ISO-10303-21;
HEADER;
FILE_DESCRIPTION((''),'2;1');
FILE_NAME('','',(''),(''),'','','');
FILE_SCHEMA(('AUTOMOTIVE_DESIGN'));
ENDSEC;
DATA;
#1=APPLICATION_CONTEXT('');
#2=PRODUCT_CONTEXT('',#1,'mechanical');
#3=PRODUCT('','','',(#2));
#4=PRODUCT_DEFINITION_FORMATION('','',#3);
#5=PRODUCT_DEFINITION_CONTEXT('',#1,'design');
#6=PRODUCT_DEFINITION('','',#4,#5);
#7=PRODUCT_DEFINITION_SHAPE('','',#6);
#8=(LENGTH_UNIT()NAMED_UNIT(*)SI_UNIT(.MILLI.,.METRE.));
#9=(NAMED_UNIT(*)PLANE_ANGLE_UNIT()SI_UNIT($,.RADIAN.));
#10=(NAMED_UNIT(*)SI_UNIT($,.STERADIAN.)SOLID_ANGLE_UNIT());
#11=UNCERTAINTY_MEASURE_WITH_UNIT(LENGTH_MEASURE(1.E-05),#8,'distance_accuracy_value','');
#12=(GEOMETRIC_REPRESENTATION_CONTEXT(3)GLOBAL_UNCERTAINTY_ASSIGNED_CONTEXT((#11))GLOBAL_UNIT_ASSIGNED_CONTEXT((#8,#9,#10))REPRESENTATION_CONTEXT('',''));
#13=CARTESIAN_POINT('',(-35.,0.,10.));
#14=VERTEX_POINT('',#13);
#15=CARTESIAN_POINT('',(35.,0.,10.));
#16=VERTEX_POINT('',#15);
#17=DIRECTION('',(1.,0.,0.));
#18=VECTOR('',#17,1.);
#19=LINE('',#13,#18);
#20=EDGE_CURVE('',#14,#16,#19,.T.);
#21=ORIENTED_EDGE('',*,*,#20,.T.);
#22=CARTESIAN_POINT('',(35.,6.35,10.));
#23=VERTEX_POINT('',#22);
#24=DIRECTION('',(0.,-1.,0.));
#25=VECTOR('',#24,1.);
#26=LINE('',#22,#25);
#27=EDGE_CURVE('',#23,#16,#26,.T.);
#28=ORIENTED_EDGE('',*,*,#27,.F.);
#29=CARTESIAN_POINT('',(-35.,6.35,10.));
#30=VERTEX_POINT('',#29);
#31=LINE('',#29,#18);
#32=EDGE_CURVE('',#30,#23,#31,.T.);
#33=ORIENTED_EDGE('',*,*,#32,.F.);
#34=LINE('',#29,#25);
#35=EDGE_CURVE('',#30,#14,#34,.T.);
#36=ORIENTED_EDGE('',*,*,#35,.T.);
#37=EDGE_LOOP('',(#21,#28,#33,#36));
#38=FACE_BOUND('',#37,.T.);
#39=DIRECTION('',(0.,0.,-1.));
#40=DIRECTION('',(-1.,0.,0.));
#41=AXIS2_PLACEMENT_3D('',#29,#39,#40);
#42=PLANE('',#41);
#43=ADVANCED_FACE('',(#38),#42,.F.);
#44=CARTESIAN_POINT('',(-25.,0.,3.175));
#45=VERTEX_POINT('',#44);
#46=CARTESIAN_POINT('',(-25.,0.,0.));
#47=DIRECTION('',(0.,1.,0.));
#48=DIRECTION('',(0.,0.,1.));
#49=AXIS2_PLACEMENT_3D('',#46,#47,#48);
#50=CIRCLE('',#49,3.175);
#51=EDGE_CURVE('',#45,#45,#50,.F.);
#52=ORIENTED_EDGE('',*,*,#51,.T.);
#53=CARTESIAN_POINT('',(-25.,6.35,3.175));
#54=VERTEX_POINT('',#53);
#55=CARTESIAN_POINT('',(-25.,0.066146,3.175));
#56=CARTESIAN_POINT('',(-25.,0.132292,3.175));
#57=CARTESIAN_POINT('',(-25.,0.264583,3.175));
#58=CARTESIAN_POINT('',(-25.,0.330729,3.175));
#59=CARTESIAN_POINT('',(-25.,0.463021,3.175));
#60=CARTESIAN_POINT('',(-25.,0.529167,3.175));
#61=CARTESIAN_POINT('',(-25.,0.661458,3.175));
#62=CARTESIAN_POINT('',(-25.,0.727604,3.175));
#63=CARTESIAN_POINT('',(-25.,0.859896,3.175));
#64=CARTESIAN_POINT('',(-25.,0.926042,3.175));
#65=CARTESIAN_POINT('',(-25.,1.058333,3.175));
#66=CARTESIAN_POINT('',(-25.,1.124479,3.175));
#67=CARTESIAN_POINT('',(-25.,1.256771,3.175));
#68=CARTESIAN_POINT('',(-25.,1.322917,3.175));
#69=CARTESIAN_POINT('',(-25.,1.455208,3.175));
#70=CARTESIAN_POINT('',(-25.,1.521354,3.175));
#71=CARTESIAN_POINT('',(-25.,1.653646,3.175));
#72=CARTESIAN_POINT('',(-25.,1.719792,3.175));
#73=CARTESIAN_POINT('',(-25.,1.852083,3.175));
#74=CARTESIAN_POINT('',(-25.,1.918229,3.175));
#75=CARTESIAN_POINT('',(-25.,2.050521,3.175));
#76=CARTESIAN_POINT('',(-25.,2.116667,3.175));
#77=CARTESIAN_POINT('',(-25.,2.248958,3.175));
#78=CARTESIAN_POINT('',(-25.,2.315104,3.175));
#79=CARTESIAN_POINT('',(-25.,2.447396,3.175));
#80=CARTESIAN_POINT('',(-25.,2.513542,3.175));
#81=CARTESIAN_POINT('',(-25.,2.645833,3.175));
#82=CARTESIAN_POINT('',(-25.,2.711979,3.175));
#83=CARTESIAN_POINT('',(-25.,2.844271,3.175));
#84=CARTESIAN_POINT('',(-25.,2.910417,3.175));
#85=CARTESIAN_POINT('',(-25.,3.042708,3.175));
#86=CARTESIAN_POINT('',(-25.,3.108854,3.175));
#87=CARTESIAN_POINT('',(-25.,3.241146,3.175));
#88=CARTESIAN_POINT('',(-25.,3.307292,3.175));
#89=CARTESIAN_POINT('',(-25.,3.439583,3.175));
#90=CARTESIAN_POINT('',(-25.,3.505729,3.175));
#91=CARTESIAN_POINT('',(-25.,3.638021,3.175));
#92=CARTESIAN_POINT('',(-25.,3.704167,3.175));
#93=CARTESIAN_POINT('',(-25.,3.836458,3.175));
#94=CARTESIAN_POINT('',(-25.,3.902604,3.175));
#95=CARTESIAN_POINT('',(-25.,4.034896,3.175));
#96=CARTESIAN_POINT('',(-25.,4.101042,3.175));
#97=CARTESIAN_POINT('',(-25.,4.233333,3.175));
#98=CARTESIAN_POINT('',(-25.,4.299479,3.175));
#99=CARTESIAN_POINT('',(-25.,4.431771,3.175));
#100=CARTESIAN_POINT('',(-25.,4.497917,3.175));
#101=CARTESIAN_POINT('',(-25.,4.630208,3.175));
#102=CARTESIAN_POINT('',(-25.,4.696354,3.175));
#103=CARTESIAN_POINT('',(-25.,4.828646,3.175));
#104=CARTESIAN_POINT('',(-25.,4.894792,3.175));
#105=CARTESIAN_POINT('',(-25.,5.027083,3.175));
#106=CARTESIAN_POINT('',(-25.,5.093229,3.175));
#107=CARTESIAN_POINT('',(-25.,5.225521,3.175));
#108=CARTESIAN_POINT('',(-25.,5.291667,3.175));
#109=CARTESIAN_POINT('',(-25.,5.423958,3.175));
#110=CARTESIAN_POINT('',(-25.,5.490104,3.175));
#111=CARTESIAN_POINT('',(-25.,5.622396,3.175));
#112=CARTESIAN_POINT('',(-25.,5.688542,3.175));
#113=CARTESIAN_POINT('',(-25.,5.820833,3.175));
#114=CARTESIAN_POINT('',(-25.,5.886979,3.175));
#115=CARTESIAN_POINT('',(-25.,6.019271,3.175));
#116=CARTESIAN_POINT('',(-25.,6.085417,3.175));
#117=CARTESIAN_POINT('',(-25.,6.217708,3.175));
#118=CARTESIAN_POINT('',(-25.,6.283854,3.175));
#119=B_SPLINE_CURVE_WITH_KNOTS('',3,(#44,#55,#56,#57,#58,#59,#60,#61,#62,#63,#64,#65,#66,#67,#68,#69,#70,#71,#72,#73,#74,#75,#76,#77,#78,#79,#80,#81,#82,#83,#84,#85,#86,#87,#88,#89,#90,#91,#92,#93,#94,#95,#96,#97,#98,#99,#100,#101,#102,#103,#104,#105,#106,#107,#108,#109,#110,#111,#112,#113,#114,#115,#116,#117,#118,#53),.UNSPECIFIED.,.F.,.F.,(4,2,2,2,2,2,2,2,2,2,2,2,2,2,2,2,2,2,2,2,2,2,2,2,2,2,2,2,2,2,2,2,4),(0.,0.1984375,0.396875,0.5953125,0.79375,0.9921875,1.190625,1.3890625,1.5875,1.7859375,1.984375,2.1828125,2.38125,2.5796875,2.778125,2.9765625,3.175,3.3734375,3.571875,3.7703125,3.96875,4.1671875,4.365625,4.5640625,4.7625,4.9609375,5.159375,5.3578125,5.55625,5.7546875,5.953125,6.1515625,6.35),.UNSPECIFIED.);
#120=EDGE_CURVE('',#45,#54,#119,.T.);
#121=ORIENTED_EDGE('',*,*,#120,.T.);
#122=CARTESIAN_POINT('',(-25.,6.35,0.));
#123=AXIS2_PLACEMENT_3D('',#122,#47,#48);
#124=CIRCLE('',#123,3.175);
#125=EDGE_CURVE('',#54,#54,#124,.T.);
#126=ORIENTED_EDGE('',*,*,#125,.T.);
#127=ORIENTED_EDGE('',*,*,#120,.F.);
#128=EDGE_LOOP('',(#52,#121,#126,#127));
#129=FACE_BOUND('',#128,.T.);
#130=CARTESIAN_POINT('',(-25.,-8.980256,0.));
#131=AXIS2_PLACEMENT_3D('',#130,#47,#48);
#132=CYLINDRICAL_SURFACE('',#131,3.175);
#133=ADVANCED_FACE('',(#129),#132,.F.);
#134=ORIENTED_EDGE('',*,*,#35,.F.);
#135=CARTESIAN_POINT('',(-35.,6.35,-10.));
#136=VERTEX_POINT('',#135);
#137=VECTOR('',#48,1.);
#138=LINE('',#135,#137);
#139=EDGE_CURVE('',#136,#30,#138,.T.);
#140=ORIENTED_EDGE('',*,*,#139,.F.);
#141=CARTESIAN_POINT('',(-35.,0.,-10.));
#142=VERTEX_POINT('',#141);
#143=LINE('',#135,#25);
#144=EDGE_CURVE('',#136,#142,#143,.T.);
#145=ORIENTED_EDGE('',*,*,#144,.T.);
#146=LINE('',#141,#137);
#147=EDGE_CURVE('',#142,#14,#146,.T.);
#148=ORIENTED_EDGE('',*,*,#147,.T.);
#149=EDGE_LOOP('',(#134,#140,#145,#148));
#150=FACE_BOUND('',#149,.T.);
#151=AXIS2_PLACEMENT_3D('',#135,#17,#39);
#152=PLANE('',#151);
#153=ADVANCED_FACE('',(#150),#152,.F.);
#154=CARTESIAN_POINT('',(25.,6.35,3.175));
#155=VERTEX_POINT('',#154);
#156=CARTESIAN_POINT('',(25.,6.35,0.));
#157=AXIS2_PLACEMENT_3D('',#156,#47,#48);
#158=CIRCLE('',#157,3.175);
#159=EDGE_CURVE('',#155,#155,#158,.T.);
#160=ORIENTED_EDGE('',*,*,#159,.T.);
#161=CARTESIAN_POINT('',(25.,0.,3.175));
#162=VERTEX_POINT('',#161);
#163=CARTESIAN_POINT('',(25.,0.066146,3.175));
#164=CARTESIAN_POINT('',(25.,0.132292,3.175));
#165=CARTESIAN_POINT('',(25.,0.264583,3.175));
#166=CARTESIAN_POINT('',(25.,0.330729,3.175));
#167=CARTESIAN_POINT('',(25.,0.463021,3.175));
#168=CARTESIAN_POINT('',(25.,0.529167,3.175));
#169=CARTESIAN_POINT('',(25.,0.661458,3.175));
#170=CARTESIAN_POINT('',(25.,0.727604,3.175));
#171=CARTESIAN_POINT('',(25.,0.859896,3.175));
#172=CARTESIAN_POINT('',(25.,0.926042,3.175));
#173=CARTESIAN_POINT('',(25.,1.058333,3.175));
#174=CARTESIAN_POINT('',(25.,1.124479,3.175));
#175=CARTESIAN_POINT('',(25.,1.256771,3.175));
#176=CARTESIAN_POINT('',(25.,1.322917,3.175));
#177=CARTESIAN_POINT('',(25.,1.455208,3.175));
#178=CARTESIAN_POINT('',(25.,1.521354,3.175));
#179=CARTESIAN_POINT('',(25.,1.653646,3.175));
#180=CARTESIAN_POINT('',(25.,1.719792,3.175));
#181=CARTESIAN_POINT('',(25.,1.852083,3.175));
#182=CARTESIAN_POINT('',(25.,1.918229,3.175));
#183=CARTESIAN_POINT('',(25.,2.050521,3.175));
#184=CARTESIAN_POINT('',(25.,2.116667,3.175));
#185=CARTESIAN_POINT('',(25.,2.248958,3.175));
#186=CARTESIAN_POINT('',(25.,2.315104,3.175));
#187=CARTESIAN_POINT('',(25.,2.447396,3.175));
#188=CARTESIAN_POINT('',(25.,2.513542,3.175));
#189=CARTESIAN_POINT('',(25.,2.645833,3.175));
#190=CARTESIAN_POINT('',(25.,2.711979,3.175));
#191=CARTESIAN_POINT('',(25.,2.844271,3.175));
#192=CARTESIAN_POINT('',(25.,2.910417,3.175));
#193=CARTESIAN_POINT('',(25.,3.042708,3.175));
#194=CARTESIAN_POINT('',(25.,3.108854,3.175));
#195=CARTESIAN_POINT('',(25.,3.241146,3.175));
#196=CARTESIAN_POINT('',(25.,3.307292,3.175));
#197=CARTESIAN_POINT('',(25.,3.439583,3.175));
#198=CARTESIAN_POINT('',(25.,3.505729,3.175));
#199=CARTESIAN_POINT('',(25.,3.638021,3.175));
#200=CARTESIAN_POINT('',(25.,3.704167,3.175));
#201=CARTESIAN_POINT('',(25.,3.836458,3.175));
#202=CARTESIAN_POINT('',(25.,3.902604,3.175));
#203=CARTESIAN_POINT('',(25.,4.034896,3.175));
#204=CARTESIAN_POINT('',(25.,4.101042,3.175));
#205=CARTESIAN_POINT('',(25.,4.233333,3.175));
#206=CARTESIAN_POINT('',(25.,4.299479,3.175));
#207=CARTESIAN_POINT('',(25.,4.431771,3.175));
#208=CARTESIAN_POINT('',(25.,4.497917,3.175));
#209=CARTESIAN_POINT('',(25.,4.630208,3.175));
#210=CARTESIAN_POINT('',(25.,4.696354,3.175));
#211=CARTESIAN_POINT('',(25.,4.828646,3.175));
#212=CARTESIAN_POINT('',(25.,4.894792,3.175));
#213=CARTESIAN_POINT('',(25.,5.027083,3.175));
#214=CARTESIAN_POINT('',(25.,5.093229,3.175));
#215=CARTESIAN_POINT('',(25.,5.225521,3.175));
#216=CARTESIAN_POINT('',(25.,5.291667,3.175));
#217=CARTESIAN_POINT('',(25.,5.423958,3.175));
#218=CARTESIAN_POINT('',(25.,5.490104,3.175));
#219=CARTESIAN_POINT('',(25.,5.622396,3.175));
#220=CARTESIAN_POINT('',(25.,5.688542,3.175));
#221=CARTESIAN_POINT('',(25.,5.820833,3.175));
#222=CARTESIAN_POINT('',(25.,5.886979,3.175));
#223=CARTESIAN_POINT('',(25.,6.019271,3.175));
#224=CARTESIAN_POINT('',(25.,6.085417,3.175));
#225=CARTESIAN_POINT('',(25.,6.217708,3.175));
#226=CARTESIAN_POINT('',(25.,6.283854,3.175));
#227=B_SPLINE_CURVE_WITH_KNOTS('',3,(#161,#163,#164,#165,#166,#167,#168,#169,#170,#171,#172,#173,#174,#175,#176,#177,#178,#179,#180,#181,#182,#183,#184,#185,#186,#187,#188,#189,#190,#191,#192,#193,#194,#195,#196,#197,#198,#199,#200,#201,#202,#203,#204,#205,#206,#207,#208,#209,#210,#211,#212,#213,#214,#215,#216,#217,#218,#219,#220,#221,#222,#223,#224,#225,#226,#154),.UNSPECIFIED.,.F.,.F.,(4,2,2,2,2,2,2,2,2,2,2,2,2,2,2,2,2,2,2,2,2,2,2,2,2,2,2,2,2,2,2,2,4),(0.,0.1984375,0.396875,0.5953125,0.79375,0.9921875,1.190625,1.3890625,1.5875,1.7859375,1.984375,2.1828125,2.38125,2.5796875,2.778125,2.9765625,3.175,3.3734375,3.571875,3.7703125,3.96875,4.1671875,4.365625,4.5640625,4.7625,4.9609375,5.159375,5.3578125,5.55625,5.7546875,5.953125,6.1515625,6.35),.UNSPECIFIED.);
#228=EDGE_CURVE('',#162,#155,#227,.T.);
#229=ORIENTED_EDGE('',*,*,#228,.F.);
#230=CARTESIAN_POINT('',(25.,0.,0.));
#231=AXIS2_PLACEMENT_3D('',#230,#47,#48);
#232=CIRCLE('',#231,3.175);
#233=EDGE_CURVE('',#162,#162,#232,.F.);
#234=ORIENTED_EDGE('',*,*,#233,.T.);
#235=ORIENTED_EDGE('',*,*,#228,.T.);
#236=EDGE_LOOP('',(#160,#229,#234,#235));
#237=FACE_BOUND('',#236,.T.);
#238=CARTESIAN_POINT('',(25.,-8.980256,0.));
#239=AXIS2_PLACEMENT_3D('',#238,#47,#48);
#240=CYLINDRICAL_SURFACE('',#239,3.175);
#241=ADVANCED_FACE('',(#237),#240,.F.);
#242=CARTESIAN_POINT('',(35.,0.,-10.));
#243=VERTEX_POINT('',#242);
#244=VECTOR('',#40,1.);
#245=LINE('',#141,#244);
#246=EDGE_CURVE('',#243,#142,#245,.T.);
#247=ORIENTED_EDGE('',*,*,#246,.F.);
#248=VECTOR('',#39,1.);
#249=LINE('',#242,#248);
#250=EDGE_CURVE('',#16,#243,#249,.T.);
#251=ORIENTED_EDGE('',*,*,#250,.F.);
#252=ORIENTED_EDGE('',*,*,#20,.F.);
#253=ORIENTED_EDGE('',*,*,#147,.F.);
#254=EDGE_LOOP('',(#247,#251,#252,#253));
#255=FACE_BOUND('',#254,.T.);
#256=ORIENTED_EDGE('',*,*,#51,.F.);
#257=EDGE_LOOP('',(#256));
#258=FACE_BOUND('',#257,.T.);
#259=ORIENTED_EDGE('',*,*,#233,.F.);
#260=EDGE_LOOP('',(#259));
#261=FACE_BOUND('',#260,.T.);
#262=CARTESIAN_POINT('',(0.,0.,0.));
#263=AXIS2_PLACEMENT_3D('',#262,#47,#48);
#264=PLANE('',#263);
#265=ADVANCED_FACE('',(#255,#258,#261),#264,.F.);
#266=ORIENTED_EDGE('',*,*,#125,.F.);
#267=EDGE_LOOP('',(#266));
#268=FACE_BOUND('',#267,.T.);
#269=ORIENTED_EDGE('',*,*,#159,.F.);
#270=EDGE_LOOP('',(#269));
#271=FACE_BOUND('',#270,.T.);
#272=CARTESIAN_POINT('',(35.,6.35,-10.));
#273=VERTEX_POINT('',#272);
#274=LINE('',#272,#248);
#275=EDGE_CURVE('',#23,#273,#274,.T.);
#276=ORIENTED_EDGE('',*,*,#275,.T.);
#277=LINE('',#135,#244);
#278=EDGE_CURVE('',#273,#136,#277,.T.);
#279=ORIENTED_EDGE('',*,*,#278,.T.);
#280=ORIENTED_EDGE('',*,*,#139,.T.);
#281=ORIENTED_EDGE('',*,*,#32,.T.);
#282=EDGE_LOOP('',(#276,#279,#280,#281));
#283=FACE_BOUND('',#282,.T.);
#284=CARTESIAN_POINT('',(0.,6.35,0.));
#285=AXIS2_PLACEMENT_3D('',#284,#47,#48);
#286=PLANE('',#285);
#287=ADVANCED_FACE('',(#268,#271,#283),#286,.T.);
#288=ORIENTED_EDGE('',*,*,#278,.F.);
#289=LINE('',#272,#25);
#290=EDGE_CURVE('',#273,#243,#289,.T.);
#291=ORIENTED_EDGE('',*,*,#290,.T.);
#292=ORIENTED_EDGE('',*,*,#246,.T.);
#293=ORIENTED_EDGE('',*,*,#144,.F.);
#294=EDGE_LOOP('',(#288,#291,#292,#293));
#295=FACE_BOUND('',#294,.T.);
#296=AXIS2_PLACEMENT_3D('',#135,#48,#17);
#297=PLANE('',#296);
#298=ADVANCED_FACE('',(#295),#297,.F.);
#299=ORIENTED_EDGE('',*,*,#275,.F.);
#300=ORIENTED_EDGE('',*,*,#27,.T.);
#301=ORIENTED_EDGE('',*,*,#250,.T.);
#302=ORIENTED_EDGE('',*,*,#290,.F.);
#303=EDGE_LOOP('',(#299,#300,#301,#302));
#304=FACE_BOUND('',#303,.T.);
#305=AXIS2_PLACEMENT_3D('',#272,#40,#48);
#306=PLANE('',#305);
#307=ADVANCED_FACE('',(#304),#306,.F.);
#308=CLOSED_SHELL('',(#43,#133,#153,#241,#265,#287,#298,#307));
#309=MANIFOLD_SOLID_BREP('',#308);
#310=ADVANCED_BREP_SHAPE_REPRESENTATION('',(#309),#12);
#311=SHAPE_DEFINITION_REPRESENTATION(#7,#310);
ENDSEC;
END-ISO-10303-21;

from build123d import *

# Parameters (mm, degrees)
SKETCH1_W           = 70
SKETCH1_H           = 20
BOSS_EXTRUDE1_DEPTH = 6.35
SKETCH2_R           = 3.175
CUT_EXTRUDE1_DEPTH  = 6.35


with BuildPart() as part:
    # Sketch1 → Boss-Extrude1 (new body)
    with BuildSketch(Plane(origin=(0, 0, 0), x_dir=(1, 0, 0), z_dir=(0, 1, 0))):
        Rectangle(SKETCH1_W, SKETCH1_H)
    extrude(amount=BOSS_EXTRUDE1_DEPTH)

    # Sketch2 → Cut-Extrude1 (cut)
    with BuildSketch(Plane(origin=(0, 6.35, 0), x_dir=(1, 0, 0), z_dir=(0, 1, 0))):
        with Locations(Location((-25, 0, 0), (0, 0, 270))):
            Circle(SKETCH2_R)
        with Locations(Location((25, 0, 0), (0, 0, 270))):
            Circle(SKETCH2_R)
    extrude(amount=-CUT_EXTRUDE1_DEPTH, mode=Mode.SUBTRACT)


solid = part.part
